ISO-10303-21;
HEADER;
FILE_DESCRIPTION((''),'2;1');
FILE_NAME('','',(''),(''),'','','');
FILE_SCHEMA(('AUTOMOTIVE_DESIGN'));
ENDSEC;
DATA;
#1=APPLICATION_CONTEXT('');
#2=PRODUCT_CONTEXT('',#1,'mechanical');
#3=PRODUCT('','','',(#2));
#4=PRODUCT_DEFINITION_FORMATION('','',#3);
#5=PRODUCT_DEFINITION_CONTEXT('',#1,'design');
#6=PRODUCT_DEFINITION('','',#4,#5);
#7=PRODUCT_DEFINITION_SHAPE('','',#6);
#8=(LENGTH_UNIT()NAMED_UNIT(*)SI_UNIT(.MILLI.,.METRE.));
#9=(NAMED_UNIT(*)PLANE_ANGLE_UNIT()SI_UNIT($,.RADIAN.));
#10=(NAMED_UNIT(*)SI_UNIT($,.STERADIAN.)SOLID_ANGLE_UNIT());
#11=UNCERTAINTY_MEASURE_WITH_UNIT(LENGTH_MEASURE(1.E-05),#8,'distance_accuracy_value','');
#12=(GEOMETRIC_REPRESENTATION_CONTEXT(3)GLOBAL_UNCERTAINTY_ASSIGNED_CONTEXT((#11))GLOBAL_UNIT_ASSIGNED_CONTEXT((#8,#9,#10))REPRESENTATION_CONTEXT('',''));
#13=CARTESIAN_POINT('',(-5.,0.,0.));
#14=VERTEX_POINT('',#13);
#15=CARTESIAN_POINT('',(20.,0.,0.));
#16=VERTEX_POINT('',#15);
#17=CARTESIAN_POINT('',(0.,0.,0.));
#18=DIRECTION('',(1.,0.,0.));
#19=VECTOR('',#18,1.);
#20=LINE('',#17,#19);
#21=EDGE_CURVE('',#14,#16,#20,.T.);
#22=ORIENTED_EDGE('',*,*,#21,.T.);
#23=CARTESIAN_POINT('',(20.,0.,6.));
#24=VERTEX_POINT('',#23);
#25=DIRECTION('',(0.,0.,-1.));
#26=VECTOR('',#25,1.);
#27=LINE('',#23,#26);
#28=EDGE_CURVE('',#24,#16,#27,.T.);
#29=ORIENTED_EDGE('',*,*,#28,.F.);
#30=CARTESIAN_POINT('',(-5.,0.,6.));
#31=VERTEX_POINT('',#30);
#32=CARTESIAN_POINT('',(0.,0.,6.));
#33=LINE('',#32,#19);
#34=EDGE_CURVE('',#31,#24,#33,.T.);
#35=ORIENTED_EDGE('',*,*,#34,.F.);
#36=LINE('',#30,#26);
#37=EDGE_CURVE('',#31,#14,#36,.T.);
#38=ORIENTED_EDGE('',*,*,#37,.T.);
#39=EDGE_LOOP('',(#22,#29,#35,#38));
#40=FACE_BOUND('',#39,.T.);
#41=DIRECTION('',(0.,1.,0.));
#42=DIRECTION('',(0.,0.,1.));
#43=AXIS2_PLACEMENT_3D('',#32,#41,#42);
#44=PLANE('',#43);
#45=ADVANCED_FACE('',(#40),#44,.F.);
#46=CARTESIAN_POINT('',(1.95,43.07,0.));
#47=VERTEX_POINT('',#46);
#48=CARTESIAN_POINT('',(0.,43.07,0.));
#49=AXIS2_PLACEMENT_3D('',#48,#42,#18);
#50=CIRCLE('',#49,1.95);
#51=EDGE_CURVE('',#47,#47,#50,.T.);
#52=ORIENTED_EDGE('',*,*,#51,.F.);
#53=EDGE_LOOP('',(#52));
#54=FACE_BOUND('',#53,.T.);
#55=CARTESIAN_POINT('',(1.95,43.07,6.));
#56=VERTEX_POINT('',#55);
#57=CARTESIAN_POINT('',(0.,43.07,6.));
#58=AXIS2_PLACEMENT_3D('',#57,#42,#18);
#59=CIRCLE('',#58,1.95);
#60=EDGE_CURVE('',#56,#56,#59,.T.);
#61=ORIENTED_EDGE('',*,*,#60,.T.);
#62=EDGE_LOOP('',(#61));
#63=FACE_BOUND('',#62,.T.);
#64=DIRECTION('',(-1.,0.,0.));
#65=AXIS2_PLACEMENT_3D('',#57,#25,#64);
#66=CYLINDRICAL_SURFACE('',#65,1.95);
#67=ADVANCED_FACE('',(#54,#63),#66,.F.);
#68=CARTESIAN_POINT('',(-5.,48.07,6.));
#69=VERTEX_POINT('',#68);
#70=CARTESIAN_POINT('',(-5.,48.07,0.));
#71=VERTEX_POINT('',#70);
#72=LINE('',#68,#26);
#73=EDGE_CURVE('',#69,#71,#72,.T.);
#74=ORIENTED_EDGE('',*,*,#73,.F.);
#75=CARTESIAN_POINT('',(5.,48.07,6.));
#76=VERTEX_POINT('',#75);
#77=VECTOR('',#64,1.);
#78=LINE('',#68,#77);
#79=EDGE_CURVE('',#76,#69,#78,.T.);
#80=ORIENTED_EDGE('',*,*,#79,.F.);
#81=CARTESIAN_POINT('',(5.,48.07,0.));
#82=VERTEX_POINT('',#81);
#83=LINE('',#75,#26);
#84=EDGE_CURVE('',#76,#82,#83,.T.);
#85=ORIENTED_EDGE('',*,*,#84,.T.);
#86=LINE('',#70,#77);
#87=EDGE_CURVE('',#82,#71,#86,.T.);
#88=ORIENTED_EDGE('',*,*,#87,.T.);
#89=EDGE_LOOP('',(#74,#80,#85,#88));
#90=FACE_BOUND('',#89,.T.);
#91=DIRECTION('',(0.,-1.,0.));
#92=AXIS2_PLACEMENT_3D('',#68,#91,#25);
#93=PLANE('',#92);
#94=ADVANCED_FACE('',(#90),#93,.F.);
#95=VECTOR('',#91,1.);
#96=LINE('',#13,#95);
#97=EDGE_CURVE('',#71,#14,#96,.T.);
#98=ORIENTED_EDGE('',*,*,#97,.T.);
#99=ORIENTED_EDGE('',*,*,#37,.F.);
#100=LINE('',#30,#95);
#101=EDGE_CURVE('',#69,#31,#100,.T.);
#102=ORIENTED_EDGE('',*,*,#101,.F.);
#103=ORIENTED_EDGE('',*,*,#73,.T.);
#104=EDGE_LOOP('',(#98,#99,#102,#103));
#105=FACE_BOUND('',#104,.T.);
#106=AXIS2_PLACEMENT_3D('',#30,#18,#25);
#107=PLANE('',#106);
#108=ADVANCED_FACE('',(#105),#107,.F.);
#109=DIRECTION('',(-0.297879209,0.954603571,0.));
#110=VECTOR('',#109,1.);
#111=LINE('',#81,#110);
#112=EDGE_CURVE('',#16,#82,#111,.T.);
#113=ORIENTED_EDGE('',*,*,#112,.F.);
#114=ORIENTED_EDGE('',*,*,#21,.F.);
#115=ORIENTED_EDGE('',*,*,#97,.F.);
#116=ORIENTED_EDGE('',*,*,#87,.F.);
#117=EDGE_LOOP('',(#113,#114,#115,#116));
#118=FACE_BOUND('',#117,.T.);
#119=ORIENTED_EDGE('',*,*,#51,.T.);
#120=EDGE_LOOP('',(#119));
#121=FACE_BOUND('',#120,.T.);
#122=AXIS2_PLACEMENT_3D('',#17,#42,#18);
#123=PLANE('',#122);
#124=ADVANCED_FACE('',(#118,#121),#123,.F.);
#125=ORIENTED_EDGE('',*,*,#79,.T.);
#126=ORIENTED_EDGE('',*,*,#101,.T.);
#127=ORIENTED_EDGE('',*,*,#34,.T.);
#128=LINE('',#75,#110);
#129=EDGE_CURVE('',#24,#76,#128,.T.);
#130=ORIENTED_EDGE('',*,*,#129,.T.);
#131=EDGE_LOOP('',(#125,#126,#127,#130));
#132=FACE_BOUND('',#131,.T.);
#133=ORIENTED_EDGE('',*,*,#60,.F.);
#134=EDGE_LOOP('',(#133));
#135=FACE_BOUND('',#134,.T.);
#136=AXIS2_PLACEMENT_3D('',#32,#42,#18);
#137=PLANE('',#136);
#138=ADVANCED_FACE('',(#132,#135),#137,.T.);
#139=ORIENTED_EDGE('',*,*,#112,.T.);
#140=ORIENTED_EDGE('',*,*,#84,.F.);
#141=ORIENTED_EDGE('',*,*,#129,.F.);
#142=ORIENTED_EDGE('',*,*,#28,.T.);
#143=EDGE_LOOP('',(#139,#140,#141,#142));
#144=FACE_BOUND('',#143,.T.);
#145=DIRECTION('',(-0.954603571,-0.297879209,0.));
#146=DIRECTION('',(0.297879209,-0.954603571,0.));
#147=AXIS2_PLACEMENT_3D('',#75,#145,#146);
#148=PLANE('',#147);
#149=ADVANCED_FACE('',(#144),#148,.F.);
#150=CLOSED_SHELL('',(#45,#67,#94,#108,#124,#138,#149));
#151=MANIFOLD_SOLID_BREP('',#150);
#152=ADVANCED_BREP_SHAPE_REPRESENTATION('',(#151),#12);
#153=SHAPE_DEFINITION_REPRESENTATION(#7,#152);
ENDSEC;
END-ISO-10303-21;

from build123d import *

# Parameters (mm, degrees)
SKETCH_1_R      = 1.95
EXTRUDE_1_DEPTH = 6


with BuildPart() as part:
    # 草图1 → 凸台-拉伸1 (new body)
    with BuildSketch(Plane.XY):
        Polygon((0, 0), (-5, 0), (-5, 48.07), (5, 48.07), (20, 0), align=None)
        with Locations((0, 43.07)):
            Circle(SKETCH_1_R, mode=Mode.SUBTRACT)
    extrude(amount=EXTRUDE_1_DEPTH)


solid = part.part
